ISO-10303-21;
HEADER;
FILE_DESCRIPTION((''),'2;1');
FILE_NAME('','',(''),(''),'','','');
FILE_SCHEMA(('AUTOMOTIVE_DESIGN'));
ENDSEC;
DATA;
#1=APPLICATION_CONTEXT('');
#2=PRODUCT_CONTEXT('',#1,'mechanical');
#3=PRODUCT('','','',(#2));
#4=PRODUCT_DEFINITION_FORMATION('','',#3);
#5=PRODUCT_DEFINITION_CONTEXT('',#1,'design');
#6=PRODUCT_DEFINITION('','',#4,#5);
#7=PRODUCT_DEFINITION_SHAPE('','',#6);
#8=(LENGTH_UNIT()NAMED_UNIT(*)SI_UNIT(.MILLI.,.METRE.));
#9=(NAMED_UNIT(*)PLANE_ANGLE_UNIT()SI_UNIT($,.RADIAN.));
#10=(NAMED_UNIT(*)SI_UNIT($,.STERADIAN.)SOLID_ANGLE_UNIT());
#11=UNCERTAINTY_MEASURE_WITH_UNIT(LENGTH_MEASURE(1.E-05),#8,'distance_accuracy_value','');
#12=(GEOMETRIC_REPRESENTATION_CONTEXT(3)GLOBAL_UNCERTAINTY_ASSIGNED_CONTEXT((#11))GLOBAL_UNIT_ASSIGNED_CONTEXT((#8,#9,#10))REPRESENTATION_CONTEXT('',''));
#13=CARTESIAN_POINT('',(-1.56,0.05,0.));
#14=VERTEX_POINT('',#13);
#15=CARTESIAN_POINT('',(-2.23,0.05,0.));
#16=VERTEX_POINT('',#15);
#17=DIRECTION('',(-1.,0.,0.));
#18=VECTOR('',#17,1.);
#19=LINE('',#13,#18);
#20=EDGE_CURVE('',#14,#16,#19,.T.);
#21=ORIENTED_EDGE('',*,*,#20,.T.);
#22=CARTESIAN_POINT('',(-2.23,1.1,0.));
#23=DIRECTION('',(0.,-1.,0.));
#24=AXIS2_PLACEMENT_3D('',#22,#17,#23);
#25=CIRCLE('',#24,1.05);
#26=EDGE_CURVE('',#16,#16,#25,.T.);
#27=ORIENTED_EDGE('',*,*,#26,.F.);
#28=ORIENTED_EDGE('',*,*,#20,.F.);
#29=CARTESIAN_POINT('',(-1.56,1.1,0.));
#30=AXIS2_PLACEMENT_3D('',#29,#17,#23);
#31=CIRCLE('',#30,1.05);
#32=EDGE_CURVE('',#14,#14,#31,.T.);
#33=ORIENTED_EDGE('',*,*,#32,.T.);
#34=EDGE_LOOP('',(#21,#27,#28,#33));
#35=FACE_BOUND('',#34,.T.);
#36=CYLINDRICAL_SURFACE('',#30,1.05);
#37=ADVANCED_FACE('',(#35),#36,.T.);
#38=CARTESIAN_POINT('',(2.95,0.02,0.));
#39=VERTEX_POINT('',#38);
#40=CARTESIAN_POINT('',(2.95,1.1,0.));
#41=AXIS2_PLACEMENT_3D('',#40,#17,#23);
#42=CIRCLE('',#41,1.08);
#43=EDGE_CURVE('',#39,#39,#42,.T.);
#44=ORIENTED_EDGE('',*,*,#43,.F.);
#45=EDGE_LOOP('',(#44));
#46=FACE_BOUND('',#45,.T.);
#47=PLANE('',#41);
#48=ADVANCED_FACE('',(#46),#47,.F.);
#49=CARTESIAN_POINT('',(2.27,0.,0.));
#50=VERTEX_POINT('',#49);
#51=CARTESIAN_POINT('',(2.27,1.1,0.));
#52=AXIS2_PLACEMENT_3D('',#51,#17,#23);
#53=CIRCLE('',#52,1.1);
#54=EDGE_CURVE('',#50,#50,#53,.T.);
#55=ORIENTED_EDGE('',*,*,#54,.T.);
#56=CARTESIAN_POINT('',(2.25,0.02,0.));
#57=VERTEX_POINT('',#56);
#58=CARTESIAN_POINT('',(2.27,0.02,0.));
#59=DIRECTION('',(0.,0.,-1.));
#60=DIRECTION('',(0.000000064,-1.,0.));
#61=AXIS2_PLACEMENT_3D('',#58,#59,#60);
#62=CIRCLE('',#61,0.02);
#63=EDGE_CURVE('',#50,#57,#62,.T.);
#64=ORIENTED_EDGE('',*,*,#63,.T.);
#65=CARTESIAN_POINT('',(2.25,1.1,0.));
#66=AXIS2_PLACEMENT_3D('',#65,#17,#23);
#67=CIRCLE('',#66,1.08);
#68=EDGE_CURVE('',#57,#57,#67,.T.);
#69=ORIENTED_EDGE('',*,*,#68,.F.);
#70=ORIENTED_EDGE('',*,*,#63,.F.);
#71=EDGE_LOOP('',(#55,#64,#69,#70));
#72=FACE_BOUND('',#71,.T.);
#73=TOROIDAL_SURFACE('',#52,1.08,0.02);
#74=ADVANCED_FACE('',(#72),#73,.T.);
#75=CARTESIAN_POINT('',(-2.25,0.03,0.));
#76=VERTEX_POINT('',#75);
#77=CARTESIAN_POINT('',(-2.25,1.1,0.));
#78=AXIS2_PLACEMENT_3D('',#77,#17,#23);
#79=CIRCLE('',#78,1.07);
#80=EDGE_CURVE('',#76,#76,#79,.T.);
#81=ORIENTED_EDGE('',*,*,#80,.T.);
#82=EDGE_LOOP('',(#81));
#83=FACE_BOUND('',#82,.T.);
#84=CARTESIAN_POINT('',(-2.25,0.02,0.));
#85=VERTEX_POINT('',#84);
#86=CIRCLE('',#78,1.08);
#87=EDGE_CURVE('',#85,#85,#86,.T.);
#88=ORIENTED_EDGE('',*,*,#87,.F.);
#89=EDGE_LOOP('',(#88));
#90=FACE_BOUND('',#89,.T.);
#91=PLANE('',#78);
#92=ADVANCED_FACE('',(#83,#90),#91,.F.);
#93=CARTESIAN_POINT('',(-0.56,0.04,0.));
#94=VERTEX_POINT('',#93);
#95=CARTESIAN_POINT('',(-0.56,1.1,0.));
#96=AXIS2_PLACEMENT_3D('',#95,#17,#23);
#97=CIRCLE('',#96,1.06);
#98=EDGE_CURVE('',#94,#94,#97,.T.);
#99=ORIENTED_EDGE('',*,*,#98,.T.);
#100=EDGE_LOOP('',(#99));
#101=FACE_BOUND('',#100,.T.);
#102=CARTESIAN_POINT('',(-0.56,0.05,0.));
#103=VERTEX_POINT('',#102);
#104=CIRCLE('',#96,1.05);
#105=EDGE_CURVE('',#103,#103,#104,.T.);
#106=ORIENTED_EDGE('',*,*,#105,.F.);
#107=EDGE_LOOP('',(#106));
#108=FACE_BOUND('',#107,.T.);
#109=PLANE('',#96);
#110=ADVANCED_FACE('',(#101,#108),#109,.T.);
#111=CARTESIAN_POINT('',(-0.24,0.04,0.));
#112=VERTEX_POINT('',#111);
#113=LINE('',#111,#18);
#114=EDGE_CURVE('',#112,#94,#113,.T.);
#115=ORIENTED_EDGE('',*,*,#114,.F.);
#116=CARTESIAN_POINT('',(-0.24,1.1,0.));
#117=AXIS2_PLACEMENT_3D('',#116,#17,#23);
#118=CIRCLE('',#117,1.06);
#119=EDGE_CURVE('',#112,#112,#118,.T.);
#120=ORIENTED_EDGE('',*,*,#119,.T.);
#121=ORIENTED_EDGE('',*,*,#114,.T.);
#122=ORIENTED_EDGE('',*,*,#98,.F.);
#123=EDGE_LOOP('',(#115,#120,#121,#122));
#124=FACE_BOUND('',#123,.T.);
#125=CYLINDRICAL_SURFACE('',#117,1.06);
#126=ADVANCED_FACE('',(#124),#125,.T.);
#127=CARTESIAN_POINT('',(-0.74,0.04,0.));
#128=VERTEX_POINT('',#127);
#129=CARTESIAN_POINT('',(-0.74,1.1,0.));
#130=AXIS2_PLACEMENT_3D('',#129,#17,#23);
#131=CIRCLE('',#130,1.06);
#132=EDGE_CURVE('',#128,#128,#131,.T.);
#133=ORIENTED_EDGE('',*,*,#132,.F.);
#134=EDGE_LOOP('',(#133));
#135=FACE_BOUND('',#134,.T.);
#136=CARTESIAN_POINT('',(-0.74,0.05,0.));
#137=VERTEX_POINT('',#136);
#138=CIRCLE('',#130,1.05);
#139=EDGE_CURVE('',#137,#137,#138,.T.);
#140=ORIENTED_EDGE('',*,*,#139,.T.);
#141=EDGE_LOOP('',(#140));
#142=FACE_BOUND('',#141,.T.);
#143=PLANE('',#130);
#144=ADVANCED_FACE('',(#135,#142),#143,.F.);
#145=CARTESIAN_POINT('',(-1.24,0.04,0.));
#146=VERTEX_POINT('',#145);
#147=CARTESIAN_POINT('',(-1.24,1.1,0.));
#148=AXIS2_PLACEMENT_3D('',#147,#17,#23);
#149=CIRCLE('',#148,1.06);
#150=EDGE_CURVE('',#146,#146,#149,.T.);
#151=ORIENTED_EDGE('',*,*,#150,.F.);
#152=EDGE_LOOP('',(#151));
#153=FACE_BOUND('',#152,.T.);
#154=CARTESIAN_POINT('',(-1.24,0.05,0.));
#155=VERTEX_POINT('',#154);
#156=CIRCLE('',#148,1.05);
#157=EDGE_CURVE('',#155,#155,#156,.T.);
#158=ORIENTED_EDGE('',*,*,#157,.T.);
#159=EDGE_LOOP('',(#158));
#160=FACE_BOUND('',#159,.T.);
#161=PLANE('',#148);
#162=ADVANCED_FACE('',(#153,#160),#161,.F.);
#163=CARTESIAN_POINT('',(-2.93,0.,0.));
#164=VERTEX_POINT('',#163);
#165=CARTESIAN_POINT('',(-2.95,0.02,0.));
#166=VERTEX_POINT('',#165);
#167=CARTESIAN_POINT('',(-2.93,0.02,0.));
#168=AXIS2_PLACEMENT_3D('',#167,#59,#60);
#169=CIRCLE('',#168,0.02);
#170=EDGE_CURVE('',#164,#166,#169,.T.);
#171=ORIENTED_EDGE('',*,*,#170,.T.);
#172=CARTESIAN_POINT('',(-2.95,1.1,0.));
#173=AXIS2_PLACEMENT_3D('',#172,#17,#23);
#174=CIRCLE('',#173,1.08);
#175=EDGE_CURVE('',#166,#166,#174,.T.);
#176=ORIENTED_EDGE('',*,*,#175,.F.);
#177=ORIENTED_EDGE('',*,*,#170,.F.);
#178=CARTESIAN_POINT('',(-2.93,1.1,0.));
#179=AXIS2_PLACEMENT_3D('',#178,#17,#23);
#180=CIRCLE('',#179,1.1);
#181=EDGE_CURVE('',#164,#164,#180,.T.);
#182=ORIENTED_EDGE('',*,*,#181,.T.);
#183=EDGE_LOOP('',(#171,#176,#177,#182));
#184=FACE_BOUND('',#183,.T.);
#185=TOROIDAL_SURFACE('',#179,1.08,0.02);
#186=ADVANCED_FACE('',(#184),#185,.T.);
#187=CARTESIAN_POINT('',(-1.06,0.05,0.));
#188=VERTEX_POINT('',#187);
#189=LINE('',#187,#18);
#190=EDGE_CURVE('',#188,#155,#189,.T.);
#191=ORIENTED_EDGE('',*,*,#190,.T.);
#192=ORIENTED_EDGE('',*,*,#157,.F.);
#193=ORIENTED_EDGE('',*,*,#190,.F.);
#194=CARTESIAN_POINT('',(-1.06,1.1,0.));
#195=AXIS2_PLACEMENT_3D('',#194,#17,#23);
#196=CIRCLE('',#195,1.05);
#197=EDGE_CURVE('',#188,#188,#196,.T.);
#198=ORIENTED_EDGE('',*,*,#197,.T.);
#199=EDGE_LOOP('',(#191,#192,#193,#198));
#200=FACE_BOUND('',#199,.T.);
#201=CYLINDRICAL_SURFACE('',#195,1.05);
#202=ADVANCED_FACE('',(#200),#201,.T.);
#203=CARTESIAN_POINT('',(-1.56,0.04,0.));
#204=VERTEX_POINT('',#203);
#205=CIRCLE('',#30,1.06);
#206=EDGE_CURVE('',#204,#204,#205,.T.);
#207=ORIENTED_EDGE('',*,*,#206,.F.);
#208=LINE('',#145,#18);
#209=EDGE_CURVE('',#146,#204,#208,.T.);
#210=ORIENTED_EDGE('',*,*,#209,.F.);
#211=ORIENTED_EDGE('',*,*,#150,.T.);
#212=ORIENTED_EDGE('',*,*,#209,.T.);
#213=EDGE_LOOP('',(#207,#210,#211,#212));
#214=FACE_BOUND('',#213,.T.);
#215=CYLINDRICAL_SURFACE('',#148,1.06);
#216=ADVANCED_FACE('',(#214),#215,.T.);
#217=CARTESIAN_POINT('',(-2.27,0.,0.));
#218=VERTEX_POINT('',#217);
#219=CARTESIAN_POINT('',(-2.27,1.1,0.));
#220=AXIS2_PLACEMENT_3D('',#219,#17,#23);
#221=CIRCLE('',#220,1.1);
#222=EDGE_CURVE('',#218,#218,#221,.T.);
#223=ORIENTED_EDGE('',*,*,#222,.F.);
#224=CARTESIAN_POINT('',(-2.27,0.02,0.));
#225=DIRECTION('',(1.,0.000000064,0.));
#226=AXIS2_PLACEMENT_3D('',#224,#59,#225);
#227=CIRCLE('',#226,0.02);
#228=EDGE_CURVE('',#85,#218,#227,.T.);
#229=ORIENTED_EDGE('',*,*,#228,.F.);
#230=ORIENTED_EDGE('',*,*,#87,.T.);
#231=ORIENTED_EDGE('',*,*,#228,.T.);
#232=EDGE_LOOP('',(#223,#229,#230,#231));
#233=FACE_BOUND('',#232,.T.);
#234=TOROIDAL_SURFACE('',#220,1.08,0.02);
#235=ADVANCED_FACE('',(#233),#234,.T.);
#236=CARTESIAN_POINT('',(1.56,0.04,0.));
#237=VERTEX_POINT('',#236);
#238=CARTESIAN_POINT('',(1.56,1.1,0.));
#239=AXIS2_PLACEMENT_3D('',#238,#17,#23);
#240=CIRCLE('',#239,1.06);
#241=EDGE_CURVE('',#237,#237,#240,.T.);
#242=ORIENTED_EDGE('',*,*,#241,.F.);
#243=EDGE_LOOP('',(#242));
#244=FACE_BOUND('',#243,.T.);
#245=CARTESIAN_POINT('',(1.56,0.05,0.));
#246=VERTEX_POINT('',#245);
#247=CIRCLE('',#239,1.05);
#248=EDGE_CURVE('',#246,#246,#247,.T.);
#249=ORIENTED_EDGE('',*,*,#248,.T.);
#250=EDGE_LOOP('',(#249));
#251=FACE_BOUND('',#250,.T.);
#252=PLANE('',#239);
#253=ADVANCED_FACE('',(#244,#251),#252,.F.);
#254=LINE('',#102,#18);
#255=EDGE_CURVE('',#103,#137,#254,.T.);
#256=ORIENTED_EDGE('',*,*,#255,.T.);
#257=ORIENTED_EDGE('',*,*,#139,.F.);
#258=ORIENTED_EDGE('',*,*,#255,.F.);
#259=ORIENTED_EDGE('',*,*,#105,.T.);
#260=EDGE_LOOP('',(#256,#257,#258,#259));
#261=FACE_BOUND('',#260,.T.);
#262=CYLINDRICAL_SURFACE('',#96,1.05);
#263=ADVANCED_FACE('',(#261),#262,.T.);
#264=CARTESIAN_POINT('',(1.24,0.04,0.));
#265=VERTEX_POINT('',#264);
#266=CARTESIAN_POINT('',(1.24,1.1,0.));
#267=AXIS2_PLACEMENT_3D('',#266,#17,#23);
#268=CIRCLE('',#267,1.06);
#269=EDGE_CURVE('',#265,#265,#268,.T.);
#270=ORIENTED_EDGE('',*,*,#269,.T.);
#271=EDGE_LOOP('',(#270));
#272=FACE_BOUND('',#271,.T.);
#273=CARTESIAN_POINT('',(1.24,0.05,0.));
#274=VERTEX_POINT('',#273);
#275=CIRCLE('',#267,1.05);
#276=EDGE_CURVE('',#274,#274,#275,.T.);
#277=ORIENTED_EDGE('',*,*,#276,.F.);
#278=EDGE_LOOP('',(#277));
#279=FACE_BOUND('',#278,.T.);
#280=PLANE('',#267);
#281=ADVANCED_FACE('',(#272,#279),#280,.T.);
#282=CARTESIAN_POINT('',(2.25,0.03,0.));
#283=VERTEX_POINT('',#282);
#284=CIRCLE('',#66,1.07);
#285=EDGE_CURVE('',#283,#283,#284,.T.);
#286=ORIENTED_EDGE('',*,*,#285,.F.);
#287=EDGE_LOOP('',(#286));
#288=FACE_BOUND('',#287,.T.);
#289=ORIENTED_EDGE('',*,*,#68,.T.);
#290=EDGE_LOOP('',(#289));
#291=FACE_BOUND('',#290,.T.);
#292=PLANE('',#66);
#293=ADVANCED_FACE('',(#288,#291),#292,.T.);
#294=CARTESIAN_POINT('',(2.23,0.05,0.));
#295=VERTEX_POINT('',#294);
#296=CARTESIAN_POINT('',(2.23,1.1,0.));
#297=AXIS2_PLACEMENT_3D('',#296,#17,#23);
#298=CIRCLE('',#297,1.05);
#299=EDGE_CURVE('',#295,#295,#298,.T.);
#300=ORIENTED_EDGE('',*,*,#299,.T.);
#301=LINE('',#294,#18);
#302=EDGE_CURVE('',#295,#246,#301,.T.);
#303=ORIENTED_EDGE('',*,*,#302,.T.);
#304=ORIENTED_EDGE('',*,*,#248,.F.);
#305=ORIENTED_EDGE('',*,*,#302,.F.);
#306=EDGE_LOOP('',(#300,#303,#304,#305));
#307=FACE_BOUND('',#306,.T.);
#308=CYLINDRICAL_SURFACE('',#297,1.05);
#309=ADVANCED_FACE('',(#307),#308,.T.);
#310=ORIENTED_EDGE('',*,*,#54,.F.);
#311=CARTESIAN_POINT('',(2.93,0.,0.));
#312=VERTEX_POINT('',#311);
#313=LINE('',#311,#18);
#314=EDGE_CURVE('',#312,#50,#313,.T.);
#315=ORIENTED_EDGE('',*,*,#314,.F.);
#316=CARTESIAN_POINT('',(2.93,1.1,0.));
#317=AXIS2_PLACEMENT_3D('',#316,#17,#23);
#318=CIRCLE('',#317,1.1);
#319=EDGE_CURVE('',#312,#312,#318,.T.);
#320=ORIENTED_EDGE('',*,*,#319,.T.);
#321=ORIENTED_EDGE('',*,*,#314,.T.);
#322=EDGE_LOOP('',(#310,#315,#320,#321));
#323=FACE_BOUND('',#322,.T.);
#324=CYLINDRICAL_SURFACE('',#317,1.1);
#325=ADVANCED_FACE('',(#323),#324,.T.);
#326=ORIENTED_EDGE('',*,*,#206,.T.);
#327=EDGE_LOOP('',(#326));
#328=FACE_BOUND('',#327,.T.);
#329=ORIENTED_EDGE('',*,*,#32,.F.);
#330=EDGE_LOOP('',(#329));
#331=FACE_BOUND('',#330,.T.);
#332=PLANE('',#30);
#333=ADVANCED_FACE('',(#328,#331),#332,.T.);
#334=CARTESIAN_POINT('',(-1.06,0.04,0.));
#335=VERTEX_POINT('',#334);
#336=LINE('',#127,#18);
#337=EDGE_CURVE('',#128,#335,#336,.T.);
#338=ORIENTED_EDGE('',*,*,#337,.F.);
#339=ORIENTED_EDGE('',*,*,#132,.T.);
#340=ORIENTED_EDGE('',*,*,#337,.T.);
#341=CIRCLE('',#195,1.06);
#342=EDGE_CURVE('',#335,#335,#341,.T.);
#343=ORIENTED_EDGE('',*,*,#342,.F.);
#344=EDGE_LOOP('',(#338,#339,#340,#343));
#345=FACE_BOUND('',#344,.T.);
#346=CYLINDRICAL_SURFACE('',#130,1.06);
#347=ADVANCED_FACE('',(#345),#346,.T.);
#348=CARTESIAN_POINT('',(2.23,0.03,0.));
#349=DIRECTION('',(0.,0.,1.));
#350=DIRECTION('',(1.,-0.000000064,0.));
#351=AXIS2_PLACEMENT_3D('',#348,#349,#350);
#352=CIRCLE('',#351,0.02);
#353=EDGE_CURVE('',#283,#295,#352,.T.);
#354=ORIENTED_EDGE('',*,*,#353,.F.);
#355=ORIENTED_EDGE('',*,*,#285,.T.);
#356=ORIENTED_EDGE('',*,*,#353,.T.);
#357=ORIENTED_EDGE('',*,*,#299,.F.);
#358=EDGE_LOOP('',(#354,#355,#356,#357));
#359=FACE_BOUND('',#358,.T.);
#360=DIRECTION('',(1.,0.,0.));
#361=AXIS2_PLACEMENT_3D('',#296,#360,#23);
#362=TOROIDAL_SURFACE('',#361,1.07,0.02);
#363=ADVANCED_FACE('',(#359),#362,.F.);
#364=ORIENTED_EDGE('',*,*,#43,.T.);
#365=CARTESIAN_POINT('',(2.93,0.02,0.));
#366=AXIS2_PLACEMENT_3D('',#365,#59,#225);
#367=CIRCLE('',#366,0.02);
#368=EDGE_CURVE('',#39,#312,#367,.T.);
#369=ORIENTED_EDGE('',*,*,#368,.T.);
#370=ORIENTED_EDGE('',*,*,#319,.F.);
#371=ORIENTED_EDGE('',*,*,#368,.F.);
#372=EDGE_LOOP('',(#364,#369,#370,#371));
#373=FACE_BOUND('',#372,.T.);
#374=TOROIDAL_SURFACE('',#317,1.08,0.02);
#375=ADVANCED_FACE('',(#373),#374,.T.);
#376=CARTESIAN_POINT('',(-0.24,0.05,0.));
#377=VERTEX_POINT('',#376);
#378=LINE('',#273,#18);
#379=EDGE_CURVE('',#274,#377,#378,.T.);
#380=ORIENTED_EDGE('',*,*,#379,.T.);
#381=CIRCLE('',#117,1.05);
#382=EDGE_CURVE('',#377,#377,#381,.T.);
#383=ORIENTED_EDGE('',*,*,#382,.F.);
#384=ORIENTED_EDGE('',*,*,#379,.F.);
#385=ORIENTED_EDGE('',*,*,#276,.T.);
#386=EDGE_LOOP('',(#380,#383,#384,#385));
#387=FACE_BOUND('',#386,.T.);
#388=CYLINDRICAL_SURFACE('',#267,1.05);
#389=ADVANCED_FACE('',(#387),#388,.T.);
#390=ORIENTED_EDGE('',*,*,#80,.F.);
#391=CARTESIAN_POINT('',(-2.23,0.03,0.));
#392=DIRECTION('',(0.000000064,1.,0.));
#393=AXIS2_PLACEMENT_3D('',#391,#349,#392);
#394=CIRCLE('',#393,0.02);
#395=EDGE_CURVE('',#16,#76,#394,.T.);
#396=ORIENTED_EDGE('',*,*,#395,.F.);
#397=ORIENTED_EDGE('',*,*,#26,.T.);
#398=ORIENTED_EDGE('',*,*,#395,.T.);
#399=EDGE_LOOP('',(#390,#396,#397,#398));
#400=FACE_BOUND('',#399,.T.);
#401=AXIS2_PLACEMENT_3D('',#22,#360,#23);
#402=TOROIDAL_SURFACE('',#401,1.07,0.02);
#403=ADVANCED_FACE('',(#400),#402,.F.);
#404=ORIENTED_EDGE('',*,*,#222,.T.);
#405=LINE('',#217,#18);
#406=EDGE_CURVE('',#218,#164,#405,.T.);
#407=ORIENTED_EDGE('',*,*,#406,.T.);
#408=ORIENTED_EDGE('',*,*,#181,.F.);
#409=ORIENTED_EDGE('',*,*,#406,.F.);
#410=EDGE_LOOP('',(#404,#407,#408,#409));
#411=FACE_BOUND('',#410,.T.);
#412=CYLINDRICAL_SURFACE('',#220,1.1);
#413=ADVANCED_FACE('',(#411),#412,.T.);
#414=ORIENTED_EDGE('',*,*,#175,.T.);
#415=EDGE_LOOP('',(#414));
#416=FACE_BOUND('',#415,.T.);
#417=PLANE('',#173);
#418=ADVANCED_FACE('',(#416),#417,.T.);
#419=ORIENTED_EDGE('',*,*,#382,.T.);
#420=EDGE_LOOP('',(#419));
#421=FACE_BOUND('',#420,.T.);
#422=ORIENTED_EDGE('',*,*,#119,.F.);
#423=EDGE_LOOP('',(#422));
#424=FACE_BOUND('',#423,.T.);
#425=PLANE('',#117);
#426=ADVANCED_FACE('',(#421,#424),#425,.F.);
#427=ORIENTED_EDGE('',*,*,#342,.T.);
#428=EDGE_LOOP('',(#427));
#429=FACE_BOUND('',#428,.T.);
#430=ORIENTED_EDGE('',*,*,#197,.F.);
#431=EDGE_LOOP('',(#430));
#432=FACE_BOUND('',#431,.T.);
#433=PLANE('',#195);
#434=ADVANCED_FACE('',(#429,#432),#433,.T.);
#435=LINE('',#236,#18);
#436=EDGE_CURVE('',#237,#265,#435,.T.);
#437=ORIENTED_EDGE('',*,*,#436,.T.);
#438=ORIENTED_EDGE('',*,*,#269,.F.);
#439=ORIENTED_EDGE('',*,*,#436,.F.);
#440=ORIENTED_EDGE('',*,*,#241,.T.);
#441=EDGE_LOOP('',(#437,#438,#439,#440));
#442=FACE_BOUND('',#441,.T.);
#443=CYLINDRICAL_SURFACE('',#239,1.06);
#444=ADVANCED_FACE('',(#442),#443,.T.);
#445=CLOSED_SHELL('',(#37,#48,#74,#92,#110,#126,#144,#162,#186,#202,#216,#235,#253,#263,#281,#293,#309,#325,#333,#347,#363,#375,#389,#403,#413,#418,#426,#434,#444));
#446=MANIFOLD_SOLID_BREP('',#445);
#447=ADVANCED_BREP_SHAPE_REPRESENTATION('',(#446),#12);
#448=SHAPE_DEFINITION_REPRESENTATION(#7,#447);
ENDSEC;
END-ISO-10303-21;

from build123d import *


with BuildPart() as part:
    # Sketch1 → Revolve1 (revolve)
    with BuildSketch(Plane.XY):
        with BuildLine():
            Line((-2.95, 1.1), (2.95, 1.1))
            Line((2.95, 1.1), (2.95, 0.02))
            ThreePointArc((2.95, 0.02), (2.944142136, 0.005857864), (2.93, 0))
            Line((2.93, 0), (2.27, 0))
            ThreePointArc((2.27, 0), (2.255857864, 0.005857864), (2.25, 0.02))
            Line((2.25, 0.02), (2.25, 0.03))
            ThreePointArc((2.25, 0.03), (2.244142136, 0.044142136), (2.23, 0.05))
            Line((2.23, 0.05), (1.56, 0.05))
            Line((1.56, 0.05), (1.56, 0.04))
            Line((1.56, 0.04), (1.24, 0.04))
            Line((1.24, 0.04), (1.24, 0.05))
            Line((1.24, 0.05), (-0.24, 0.05))
            Line((-0.24, 0.05), (-0.24, 0.04))
            Line((-0.24, 0.04), (-0.56, 0.04))
            Line((-0.56, 0.04), (-0.56, 0.05))
            Line((-0.56, 0.05), (-0.74, 0.05))
            Line((-0.74, 0.05), (-0.74, 0.04))
            Line((-0.74, 0.04), (-1.06, 0.04))
            Line((-1.06, 0.04), (-1.06, 0.05))
            Line((-1.06, 0.05), (-1.24, 0.05))
            Line((-1.24, 0.05), (-1.24, 0.04))
            Line((-1.24, 0.04), (-1.56, 0.04))
            Line((-1.56, 0.04), (-1.56, 0.05))
            Line((-1.56, 0.05), (-2.23, 0.05))
            ThreePointArc((-2.23, 0.05), (-2.244142136, 0.044142136), (-2.25, 0.03))
            Line((-2.25, 0.03), (-2.25, 0.02))
            ThreePointArc((-2.25, 0.02), (-2.255857864, 0.005857864), (-2.27, 0))
            Line((-2.27, 0), (-2.93, 0))
            ThreePointArc((-2.93, 0), (-2.944142136, 0.005857864), (-2.95, 0.02))
            Line((-2.95, 0.02), (-2.95, 1.1))
        make_face()
    revolve(axis=Axis((-2.95, 1.1, 0), (-1, 0, 0)))


solid = part.part
